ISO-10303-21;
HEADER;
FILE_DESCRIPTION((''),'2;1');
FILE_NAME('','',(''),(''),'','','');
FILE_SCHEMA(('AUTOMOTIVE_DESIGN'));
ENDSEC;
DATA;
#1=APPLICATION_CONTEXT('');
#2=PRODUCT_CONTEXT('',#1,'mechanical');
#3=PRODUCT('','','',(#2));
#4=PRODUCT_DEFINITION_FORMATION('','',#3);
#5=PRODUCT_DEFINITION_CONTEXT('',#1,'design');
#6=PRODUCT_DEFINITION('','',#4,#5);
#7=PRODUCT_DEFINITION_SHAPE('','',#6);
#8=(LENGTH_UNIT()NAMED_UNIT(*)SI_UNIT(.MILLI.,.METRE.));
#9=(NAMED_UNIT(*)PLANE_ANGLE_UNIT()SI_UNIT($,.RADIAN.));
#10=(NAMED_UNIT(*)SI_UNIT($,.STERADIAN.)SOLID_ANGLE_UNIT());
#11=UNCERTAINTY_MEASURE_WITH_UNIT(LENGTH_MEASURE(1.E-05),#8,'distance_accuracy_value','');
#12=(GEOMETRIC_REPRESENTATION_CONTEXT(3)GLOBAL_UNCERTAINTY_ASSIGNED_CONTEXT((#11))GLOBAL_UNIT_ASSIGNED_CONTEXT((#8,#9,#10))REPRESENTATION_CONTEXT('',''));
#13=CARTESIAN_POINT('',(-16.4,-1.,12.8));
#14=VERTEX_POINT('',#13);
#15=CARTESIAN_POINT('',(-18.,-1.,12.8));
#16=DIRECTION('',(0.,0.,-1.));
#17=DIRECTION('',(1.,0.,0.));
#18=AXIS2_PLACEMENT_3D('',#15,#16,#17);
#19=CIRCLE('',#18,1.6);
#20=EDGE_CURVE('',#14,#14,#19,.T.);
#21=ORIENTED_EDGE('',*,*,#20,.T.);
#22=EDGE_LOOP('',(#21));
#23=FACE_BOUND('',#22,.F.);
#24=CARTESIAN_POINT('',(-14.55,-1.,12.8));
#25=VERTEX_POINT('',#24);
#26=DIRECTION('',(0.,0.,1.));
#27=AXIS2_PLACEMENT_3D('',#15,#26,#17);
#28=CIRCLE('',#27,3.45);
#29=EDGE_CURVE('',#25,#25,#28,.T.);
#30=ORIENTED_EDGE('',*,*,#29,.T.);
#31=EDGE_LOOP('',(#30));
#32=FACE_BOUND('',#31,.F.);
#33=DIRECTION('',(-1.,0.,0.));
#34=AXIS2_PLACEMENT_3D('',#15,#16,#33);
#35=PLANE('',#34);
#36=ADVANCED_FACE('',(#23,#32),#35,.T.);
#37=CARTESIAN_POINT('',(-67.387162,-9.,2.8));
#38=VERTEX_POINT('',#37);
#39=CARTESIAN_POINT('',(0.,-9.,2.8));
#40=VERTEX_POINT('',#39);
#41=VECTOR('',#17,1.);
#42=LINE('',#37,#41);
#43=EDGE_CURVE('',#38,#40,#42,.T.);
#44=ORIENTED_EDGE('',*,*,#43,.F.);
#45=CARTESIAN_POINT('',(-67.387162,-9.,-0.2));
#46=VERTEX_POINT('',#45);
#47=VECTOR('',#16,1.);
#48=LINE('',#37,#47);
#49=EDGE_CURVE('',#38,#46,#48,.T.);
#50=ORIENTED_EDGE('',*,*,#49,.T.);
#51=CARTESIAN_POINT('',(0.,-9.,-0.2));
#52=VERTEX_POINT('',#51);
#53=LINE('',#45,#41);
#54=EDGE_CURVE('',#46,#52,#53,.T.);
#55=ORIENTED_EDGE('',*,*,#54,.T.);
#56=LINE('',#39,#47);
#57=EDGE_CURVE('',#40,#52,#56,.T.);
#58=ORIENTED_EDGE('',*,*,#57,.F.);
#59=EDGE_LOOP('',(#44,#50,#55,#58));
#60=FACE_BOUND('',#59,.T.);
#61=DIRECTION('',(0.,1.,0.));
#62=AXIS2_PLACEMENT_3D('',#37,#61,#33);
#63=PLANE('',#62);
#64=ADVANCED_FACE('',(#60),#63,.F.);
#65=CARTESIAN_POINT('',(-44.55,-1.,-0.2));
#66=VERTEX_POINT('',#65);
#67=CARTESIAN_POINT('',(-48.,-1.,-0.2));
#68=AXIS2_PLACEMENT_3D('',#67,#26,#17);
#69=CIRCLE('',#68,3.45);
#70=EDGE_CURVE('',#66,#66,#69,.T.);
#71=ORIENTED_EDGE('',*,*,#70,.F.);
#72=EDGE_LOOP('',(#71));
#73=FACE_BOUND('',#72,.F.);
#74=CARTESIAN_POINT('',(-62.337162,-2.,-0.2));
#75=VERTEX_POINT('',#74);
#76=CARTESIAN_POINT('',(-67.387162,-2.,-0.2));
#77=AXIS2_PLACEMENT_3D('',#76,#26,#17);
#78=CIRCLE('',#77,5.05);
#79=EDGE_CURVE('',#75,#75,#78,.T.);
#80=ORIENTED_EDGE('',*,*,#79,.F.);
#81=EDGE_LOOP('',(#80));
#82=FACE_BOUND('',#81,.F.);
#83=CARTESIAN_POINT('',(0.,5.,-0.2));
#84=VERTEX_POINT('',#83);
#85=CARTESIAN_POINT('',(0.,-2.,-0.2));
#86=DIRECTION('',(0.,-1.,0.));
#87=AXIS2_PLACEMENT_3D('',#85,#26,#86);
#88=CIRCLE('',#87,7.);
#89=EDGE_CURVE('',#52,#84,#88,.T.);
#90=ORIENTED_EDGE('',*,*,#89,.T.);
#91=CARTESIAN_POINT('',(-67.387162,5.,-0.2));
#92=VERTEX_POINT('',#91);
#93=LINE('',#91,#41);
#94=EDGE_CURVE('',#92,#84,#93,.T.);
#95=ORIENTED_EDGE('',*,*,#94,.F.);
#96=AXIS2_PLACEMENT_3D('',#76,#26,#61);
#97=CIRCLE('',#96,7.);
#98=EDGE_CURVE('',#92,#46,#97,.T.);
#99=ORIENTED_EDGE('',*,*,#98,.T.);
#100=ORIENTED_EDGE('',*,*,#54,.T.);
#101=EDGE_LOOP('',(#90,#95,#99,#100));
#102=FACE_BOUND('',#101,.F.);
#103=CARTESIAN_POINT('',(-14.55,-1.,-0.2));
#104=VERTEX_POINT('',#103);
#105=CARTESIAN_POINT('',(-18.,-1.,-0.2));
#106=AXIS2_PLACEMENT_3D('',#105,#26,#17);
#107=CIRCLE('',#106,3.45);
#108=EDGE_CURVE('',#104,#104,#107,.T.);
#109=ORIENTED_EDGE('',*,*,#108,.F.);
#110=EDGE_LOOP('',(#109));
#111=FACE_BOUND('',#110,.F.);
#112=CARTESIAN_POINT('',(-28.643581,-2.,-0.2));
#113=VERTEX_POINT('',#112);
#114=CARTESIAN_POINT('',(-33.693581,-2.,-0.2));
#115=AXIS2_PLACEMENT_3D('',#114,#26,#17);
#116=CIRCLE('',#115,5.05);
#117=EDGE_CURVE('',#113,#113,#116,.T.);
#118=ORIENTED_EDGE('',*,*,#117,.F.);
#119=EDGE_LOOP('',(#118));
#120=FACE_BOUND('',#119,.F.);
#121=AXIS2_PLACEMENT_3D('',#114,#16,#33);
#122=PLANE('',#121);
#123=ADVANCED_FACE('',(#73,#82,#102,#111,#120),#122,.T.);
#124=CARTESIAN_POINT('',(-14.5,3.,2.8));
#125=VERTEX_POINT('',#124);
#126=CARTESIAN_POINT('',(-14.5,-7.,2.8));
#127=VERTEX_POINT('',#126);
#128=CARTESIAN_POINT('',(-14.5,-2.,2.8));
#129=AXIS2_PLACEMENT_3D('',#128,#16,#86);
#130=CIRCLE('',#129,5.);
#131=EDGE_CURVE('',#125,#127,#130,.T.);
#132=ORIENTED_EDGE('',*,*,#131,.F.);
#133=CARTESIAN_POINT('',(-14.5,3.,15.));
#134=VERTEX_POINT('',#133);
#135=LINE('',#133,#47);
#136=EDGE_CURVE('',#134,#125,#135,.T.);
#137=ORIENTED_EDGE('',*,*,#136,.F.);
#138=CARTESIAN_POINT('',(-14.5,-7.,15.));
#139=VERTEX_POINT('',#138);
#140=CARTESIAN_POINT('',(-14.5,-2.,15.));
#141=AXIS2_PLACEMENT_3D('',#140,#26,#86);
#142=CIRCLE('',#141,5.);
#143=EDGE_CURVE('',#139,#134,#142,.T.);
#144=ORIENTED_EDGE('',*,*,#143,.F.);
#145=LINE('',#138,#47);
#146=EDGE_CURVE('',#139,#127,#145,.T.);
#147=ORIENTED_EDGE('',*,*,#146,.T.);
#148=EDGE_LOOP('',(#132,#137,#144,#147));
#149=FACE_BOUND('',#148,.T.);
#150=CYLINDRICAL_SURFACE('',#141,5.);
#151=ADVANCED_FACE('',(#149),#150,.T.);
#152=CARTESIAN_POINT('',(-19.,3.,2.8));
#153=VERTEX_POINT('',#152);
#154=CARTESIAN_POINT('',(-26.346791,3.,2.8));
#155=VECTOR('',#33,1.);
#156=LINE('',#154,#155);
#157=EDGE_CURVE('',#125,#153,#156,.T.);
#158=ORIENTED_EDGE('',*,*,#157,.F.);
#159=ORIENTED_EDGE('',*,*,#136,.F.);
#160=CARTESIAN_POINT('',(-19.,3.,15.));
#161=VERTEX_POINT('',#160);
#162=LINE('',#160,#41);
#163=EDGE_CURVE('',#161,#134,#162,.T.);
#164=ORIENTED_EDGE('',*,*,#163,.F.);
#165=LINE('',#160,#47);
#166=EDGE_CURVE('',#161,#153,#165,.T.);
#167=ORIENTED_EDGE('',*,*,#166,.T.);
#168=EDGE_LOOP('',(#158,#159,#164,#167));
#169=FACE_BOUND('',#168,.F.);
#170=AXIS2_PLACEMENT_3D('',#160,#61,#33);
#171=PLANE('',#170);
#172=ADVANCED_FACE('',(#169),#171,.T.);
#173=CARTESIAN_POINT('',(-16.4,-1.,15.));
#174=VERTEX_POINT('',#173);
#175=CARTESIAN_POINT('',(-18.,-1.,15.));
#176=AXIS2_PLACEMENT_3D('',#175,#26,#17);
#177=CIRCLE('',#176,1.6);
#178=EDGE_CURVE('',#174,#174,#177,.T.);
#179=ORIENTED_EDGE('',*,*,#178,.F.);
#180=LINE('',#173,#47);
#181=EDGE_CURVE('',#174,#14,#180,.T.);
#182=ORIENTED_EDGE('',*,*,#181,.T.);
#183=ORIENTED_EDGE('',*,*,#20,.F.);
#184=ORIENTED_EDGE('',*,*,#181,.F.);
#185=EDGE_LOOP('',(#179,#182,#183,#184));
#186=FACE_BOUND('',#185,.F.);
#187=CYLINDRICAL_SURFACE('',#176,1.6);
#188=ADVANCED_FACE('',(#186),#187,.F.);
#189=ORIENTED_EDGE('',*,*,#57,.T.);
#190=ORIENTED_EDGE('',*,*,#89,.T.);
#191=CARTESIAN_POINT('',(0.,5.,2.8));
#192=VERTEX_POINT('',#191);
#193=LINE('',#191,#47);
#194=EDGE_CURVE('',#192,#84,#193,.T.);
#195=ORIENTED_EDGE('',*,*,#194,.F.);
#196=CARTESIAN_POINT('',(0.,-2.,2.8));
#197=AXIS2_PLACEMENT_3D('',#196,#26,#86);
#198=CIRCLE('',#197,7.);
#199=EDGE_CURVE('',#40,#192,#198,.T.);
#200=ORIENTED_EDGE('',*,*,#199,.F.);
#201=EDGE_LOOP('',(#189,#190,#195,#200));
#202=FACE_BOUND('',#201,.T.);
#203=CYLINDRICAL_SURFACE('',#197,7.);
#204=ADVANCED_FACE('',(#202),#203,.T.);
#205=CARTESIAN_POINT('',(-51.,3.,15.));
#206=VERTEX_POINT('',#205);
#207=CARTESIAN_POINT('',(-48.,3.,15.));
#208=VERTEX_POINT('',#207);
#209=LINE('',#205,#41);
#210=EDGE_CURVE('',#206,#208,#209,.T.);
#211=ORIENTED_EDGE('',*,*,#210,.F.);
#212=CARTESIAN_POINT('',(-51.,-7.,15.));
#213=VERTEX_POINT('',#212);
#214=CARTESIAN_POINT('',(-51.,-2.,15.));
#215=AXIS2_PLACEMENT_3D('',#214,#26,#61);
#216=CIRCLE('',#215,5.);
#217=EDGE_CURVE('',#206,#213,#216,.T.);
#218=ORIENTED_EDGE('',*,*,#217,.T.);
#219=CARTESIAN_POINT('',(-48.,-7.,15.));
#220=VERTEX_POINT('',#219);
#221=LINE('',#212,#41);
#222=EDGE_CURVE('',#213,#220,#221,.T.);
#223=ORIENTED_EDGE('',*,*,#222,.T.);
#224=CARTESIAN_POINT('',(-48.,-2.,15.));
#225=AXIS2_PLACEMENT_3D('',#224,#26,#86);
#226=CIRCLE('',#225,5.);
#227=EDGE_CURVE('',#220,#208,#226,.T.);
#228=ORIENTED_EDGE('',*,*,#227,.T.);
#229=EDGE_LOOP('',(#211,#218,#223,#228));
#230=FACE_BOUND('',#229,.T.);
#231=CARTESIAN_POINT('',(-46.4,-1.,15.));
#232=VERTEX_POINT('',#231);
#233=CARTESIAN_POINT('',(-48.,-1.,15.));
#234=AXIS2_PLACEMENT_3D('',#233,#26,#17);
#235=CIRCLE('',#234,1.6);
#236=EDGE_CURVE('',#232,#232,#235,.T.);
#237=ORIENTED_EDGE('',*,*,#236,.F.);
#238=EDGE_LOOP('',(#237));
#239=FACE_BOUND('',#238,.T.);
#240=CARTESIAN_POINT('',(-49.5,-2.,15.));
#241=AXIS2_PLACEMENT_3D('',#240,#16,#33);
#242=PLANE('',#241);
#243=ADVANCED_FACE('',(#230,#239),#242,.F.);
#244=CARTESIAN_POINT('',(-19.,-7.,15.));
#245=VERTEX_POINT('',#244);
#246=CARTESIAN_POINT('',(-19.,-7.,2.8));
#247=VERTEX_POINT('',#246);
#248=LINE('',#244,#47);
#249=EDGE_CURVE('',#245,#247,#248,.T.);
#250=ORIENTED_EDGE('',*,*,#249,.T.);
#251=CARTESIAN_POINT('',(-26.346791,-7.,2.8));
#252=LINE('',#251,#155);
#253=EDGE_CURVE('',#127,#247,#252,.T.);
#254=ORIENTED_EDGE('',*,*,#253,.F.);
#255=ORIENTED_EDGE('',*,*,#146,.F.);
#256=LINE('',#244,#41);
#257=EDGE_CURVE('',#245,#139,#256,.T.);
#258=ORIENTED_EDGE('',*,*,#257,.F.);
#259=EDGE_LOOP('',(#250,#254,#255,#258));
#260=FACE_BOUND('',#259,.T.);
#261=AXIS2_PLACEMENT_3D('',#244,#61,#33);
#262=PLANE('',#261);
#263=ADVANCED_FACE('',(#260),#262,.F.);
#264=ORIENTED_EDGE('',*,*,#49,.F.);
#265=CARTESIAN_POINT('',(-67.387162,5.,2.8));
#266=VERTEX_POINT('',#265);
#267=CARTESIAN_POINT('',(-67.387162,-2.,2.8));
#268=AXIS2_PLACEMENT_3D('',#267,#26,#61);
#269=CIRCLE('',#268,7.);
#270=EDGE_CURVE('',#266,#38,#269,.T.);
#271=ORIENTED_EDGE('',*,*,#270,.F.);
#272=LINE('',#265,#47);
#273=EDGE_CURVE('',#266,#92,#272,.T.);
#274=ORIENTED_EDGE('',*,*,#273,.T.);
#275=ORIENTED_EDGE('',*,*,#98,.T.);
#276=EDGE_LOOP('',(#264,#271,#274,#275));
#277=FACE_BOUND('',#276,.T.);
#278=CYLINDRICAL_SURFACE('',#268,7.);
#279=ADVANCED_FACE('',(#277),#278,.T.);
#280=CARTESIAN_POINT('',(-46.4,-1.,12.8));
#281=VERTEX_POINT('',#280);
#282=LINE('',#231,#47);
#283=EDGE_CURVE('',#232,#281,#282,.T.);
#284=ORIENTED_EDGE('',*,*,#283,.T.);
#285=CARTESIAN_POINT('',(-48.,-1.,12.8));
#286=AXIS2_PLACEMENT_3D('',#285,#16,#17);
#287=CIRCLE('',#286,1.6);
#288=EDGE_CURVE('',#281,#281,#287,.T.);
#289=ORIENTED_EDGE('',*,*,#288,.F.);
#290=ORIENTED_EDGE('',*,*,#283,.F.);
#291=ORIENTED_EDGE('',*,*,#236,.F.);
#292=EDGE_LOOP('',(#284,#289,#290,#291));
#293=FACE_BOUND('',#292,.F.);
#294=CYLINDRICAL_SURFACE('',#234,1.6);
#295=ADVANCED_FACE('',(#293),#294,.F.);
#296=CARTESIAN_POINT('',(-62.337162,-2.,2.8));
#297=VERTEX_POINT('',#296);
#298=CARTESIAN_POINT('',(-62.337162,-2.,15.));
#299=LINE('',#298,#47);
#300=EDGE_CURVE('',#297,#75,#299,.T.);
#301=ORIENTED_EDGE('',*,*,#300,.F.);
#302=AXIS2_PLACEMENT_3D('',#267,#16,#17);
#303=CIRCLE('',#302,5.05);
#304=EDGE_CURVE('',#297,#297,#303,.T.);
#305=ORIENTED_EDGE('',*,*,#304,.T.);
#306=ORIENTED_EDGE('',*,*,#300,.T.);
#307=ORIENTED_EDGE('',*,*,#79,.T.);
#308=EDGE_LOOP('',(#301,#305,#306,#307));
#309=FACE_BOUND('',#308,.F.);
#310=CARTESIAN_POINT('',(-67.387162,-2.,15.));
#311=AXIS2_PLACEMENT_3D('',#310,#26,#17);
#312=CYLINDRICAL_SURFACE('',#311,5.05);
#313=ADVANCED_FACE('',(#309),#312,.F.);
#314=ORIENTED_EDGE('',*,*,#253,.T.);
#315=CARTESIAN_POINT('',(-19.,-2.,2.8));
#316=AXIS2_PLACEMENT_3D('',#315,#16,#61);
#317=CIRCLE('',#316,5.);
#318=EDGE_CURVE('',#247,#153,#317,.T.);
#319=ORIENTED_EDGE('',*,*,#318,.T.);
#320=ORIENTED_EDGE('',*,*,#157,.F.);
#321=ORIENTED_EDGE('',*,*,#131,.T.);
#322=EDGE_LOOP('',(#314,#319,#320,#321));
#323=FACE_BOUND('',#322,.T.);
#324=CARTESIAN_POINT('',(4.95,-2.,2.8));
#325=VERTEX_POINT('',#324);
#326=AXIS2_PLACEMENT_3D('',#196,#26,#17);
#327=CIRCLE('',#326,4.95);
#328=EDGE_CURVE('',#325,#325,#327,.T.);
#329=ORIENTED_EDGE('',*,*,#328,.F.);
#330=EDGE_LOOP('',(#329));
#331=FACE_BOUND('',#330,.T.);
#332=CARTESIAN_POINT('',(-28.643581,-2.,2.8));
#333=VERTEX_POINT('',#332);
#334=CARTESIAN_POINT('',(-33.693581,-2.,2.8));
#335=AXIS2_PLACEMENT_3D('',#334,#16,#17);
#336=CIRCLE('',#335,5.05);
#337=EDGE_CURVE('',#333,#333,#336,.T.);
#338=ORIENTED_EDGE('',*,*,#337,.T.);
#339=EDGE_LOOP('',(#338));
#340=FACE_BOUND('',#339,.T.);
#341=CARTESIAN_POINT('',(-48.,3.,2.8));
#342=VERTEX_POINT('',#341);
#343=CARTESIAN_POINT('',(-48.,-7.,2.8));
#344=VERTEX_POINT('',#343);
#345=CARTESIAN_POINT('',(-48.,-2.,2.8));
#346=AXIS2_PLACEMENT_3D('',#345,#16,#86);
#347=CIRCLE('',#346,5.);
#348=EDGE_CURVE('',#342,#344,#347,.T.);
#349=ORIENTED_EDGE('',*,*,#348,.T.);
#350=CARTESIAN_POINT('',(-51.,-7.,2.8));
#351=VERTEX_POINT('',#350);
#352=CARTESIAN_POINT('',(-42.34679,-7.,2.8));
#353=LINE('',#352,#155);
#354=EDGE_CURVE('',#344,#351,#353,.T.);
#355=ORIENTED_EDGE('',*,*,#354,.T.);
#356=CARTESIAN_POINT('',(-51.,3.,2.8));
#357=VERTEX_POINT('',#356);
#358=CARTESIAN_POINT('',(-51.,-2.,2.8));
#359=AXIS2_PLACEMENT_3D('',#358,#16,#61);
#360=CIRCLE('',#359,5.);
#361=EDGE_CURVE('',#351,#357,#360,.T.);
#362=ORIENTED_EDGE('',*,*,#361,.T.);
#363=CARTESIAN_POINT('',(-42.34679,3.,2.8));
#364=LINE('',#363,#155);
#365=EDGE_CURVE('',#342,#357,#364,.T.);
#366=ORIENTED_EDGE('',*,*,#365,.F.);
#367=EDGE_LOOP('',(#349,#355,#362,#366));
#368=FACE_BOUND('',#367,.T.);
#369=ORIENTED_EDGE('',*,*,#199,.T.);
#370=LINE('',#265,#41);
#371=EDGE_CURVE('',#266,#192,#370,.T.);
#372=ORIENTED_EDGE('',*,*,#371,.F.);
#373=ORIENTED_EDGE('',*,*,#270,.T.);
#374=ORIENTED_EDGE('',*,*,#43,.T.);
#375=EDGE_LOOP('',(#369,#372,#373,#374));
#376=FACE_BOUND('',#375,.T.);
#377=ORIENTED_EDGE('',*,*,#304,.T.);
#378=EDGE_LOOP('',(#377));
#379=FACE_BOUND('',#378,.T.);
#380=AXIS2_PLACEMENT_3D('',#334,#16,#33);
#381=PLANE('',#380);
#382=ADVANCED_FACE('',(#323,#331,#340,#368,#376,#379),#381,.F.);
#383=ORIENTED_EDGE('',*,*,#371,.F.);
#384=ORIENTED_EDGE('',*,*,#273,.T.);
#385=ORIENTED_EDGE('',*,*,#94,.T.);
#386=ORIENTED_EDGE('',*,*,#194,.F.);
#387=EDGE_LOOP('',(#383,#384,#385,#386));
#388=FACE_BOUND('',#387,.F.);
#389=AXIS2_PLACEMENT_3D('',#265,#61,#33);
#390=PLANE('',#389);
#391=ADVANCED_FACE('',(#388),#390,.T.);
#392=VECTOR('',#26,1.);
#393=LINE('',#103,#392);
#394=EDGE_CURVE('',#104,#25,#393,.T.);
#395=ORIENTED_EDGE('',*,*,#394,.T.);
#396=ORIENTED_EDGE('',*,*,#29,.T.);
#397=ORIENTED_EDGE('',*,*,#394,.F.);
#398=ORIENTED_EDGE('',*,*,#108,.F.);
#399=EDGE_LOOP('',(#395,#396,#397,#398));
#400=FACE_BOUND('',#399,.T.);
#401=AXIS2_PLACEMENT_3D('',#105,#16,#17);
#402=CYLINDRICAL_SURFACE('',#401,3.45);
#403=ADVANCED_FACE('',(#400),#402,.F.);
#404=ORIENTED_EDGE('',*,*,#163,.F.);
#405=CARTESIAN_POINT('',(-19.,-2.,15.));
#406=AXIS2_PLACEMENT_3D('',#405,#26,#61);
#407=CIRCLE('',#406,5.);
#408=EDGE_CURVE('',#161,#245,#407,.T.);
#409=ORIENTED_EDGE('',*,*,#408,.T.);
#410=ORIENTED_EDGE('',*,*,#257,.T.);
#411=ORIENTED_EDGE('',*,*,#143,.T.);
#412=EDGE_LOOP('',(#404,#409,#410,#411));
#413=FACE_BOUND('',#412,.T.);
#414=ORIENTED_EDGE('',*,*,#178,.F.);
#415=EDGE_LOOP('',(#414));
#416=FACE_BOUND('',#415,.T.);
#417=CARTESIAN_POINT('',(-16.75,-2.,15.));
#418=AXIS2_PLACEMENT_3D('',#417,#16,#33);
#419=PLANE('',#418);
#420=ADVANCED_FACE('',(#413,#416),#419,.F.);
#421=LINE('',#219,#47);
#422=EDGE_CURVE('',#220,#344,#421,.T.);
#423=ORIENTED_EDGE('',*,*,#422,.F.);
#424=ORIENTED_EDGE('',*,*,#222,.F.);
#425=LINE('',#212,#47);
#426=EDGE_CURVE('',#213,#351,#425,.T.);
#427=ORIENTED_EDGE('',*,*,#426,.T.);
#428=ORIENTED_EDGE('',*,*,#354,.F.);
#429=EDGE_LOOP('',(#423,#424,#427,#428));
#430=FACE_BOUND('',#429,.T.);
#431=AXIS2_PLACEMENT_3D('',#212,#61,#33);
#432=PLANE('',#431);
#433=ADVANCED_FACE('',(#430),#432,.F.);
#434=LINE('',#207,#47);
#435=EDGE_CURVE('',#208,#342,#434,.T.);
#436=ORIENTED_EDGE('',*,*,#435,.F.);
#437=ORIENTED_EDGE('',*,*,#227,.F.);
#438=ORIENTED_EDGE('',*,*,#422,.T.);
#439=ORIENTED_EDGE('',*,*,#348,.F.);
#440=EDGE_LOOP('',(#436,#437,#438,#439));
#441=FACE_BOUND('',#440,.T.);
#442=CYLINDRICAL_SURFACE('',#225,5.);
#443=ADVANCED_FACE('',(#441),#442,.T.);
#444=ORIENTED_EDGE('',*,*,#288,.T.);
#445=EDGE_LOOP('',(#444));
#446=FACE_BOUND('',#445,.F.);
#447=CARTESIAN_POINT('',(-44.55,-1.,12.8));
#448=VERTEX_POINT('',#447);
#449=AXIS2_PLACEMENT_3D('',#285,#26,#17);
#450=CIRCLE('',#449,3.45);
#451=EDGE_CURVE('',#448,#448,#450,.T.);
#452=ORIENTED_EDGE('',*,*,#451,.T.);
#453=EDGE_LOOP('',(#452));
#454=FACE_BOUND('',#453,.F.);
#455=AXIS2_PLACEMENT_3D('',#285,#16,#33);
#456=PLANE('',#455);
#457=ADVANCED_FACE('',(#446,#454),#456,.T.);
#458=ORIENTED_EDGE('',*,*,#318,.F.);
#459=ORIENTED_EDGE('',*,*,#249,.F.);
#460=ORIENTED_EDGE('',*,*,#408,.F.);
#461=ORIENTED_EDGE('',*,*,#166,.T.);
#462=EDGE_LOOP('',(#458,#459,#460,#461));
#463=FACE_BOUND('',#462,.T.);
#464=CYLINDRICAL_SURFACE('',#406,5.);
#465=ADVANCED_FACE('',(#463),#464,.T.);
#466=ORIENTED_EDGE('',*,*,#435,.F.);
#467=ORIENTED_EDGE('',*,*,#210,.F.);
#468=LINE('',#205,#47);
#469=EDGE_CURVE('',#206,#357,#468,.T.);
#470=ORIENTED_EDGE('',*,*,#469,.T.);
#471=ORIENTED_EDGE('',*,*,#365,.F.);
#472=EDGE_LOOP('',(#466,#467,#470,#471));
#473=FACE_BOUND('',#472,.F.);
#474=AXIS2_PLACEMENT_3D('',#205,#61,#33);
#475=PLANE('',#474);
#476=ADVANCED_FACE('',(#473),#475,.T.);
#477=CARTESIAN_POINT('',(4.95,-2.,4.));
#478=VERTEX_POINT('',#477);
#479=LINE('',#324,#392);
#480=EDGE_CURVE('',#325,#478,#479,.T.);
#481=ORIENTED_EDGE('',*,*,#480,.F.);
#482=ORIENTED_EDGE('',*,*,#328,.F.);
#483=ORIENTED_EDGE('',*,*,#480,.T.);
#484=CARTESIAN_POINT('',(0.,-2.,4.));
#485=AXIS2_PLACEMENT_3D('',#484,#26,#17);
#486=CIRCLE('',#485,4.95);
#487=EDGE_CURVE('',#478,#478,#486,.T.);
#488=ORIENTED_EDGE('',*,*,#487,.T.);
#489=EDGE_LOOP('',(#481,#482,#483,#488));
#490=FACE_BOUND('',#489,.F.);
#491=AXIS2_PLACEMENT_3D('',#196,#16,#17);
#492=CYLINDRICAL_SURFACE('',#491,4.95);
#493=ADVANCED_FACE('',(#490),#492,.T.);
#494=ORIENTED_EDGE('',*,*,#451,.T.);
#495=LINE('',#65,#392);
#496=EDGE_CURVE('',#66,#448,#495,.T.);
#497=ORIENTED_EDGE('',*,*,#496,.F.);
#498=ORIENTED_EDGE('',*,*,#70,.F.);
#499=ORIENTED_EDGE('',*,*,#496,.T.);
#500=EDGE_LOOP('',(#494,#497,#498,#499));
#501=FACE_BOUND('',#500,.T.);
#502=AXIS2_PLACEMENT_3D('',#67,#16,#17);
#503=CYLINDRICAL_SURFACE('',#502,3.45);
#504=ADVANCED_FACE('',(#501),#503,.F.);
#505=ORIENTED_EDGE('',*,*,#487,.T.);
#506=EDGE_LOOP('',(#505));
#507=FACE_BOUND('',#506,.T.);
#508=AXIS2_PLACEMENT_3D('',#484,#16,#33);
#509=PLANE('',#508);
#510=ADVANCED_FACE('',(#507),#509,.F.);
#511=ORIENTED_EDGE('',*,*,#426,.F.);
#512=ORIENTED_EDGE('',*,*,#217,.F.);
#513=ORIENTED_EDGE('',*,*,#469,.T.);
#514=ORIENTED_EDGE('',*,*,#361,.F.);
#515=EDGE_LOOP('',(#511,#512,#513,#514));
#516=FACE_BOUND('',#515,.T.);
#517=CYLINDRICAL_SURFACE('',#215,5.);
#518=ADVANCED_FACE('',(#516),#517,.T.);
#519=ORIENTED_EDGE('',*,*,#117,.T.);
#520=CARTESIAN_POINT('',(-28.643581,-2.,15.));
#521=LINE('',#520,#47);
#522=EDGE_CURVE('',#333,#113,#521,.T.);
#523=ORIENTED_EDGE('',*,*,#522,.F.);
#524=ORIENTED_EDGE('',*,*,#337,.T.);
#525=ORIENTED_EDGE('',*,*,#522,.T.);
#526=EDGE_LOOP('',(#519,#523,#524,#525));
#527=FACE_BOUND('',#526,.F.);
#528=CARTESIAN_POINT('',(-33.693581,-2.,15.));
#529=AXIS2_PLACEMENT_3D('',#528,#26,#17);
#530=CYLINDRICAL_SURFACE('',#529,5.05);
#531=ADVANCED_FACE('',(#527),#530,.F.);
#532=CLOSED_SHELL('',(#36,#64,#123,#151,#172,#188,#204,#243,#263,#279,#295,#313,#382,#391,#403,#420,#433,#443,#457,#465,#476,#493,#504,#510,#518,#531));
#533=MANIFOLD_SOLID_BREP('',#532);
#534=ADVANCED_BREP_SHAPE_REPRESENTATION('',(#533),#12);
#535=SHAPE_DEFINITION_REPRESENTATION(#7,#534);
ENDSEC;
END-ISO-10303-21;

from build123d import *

# Parameters (mm, degrees)
PAD008_DEPTH    = 3
PAD009_DEPTH    = 15.2
SKETCH025_R     = 5.05
SKETCH025_R_2   = 1.6
POCKET_DEPTH    = 15.2
SKETCH026_R     = 4.95
PAD010_DEPTH    = 1.2
SKETCH027_R     = 3.45
POCKET001_DEPTH = 13


with BuildPart() as leftdrivegearretainerbody:
    # Sketch023 → Pad008 (new body)
    with BuildSketch(Plane.XY.offset(12.2)):
        with BuildLine():
            ThreePointArc((-67.387162, 7), (-74.387162, 0), (-67.387162, -7))
            Line((-67.387162, -7), (0, -7))
            ThreePointArc((0, -7), (7, 0), (0, 7))
            Line((-67.387162, 7), (0, 7))
        make_face()
    extrude(amount=PAD008_DEPTH)

    # Sketch024 → Pad009 (join)
    with BuildSketch(Plane.XY):
        with BuildLine():
            ThreePointArc((-19, 5), (-24, 0), (-19, -5))
            Line((-19, -5), (-14.5, -5))
            ThreePointArc((-14.5, -5), (-9.5, 0), (-14.5, 5))
            Line((-19, 5), (-14.5, 5))
        make_face()
        with BuildLine():
            ThreePointArc((-51, 5), (-56, 0), (-51, -5))
            Line((-51, -5), (-48, -5))
            ThreePointArc((-48, -5), (-43, 0), (-48, 5))
            Line((-51, 5), (-48, 5))
        make_face()
    extrude(amount=PAD009_DEPTH)

    # Sketch025 → Pocket (cut)
    with BuildSketch(Plane.XY):
        with Locations((-33.693581, 0)):
            Circle(SKETCH025_R)
        with Locations((-67.387162, 0)):
            Circle(SKETCH025_R)
        with Locations((-18, 1)):
            Circle(SKETCH025_R_2)
        with Locations((-48, 1)):
            Circle(SKETCH025_R_2)
    extrude(amount=POCKET_DEPTH, mode=Mode.SUBTRACT)

    # Sketch026 → Pad010 (join)
    with BuildSketch(Plane.XY.offset(12.2)):
        Circle(SKETCH026_R)
    extrude(amount=-PAD010_DEPTH)

    # Sketch027 → Pocket001 (cut)
    with BuildSketch(Plane.XY.offset(15.2)):
        with Locations((-18, 1)):
            Circle(SKETCH027_R)
        with Locations((-48, 1)):
            Circle(SKETCH027_R)
    extrude(amount=-POCKET001_DEPTH, mode=Mode.SUBTRACT)


with BuildPart() as rightdrivegearretainer_printable:
    # Part__Mirroring004: instance of LeftDriveGearRetainerBody
    add(leftdrivegearretainerbody.part.mirror(Plane(origin=(0, 0, 0), x_dir=(0, 1, 0), z_dir=(0, 0, 1))))


with BuildPart() as rightdrivegearretainer_printable_1:
    # Clone007 placement: moved
    add(rightdrivegearretainer_printable.part.moved(Location((0, -2, 15))))


solid = rightdrivegearretainer_printable_1.part
